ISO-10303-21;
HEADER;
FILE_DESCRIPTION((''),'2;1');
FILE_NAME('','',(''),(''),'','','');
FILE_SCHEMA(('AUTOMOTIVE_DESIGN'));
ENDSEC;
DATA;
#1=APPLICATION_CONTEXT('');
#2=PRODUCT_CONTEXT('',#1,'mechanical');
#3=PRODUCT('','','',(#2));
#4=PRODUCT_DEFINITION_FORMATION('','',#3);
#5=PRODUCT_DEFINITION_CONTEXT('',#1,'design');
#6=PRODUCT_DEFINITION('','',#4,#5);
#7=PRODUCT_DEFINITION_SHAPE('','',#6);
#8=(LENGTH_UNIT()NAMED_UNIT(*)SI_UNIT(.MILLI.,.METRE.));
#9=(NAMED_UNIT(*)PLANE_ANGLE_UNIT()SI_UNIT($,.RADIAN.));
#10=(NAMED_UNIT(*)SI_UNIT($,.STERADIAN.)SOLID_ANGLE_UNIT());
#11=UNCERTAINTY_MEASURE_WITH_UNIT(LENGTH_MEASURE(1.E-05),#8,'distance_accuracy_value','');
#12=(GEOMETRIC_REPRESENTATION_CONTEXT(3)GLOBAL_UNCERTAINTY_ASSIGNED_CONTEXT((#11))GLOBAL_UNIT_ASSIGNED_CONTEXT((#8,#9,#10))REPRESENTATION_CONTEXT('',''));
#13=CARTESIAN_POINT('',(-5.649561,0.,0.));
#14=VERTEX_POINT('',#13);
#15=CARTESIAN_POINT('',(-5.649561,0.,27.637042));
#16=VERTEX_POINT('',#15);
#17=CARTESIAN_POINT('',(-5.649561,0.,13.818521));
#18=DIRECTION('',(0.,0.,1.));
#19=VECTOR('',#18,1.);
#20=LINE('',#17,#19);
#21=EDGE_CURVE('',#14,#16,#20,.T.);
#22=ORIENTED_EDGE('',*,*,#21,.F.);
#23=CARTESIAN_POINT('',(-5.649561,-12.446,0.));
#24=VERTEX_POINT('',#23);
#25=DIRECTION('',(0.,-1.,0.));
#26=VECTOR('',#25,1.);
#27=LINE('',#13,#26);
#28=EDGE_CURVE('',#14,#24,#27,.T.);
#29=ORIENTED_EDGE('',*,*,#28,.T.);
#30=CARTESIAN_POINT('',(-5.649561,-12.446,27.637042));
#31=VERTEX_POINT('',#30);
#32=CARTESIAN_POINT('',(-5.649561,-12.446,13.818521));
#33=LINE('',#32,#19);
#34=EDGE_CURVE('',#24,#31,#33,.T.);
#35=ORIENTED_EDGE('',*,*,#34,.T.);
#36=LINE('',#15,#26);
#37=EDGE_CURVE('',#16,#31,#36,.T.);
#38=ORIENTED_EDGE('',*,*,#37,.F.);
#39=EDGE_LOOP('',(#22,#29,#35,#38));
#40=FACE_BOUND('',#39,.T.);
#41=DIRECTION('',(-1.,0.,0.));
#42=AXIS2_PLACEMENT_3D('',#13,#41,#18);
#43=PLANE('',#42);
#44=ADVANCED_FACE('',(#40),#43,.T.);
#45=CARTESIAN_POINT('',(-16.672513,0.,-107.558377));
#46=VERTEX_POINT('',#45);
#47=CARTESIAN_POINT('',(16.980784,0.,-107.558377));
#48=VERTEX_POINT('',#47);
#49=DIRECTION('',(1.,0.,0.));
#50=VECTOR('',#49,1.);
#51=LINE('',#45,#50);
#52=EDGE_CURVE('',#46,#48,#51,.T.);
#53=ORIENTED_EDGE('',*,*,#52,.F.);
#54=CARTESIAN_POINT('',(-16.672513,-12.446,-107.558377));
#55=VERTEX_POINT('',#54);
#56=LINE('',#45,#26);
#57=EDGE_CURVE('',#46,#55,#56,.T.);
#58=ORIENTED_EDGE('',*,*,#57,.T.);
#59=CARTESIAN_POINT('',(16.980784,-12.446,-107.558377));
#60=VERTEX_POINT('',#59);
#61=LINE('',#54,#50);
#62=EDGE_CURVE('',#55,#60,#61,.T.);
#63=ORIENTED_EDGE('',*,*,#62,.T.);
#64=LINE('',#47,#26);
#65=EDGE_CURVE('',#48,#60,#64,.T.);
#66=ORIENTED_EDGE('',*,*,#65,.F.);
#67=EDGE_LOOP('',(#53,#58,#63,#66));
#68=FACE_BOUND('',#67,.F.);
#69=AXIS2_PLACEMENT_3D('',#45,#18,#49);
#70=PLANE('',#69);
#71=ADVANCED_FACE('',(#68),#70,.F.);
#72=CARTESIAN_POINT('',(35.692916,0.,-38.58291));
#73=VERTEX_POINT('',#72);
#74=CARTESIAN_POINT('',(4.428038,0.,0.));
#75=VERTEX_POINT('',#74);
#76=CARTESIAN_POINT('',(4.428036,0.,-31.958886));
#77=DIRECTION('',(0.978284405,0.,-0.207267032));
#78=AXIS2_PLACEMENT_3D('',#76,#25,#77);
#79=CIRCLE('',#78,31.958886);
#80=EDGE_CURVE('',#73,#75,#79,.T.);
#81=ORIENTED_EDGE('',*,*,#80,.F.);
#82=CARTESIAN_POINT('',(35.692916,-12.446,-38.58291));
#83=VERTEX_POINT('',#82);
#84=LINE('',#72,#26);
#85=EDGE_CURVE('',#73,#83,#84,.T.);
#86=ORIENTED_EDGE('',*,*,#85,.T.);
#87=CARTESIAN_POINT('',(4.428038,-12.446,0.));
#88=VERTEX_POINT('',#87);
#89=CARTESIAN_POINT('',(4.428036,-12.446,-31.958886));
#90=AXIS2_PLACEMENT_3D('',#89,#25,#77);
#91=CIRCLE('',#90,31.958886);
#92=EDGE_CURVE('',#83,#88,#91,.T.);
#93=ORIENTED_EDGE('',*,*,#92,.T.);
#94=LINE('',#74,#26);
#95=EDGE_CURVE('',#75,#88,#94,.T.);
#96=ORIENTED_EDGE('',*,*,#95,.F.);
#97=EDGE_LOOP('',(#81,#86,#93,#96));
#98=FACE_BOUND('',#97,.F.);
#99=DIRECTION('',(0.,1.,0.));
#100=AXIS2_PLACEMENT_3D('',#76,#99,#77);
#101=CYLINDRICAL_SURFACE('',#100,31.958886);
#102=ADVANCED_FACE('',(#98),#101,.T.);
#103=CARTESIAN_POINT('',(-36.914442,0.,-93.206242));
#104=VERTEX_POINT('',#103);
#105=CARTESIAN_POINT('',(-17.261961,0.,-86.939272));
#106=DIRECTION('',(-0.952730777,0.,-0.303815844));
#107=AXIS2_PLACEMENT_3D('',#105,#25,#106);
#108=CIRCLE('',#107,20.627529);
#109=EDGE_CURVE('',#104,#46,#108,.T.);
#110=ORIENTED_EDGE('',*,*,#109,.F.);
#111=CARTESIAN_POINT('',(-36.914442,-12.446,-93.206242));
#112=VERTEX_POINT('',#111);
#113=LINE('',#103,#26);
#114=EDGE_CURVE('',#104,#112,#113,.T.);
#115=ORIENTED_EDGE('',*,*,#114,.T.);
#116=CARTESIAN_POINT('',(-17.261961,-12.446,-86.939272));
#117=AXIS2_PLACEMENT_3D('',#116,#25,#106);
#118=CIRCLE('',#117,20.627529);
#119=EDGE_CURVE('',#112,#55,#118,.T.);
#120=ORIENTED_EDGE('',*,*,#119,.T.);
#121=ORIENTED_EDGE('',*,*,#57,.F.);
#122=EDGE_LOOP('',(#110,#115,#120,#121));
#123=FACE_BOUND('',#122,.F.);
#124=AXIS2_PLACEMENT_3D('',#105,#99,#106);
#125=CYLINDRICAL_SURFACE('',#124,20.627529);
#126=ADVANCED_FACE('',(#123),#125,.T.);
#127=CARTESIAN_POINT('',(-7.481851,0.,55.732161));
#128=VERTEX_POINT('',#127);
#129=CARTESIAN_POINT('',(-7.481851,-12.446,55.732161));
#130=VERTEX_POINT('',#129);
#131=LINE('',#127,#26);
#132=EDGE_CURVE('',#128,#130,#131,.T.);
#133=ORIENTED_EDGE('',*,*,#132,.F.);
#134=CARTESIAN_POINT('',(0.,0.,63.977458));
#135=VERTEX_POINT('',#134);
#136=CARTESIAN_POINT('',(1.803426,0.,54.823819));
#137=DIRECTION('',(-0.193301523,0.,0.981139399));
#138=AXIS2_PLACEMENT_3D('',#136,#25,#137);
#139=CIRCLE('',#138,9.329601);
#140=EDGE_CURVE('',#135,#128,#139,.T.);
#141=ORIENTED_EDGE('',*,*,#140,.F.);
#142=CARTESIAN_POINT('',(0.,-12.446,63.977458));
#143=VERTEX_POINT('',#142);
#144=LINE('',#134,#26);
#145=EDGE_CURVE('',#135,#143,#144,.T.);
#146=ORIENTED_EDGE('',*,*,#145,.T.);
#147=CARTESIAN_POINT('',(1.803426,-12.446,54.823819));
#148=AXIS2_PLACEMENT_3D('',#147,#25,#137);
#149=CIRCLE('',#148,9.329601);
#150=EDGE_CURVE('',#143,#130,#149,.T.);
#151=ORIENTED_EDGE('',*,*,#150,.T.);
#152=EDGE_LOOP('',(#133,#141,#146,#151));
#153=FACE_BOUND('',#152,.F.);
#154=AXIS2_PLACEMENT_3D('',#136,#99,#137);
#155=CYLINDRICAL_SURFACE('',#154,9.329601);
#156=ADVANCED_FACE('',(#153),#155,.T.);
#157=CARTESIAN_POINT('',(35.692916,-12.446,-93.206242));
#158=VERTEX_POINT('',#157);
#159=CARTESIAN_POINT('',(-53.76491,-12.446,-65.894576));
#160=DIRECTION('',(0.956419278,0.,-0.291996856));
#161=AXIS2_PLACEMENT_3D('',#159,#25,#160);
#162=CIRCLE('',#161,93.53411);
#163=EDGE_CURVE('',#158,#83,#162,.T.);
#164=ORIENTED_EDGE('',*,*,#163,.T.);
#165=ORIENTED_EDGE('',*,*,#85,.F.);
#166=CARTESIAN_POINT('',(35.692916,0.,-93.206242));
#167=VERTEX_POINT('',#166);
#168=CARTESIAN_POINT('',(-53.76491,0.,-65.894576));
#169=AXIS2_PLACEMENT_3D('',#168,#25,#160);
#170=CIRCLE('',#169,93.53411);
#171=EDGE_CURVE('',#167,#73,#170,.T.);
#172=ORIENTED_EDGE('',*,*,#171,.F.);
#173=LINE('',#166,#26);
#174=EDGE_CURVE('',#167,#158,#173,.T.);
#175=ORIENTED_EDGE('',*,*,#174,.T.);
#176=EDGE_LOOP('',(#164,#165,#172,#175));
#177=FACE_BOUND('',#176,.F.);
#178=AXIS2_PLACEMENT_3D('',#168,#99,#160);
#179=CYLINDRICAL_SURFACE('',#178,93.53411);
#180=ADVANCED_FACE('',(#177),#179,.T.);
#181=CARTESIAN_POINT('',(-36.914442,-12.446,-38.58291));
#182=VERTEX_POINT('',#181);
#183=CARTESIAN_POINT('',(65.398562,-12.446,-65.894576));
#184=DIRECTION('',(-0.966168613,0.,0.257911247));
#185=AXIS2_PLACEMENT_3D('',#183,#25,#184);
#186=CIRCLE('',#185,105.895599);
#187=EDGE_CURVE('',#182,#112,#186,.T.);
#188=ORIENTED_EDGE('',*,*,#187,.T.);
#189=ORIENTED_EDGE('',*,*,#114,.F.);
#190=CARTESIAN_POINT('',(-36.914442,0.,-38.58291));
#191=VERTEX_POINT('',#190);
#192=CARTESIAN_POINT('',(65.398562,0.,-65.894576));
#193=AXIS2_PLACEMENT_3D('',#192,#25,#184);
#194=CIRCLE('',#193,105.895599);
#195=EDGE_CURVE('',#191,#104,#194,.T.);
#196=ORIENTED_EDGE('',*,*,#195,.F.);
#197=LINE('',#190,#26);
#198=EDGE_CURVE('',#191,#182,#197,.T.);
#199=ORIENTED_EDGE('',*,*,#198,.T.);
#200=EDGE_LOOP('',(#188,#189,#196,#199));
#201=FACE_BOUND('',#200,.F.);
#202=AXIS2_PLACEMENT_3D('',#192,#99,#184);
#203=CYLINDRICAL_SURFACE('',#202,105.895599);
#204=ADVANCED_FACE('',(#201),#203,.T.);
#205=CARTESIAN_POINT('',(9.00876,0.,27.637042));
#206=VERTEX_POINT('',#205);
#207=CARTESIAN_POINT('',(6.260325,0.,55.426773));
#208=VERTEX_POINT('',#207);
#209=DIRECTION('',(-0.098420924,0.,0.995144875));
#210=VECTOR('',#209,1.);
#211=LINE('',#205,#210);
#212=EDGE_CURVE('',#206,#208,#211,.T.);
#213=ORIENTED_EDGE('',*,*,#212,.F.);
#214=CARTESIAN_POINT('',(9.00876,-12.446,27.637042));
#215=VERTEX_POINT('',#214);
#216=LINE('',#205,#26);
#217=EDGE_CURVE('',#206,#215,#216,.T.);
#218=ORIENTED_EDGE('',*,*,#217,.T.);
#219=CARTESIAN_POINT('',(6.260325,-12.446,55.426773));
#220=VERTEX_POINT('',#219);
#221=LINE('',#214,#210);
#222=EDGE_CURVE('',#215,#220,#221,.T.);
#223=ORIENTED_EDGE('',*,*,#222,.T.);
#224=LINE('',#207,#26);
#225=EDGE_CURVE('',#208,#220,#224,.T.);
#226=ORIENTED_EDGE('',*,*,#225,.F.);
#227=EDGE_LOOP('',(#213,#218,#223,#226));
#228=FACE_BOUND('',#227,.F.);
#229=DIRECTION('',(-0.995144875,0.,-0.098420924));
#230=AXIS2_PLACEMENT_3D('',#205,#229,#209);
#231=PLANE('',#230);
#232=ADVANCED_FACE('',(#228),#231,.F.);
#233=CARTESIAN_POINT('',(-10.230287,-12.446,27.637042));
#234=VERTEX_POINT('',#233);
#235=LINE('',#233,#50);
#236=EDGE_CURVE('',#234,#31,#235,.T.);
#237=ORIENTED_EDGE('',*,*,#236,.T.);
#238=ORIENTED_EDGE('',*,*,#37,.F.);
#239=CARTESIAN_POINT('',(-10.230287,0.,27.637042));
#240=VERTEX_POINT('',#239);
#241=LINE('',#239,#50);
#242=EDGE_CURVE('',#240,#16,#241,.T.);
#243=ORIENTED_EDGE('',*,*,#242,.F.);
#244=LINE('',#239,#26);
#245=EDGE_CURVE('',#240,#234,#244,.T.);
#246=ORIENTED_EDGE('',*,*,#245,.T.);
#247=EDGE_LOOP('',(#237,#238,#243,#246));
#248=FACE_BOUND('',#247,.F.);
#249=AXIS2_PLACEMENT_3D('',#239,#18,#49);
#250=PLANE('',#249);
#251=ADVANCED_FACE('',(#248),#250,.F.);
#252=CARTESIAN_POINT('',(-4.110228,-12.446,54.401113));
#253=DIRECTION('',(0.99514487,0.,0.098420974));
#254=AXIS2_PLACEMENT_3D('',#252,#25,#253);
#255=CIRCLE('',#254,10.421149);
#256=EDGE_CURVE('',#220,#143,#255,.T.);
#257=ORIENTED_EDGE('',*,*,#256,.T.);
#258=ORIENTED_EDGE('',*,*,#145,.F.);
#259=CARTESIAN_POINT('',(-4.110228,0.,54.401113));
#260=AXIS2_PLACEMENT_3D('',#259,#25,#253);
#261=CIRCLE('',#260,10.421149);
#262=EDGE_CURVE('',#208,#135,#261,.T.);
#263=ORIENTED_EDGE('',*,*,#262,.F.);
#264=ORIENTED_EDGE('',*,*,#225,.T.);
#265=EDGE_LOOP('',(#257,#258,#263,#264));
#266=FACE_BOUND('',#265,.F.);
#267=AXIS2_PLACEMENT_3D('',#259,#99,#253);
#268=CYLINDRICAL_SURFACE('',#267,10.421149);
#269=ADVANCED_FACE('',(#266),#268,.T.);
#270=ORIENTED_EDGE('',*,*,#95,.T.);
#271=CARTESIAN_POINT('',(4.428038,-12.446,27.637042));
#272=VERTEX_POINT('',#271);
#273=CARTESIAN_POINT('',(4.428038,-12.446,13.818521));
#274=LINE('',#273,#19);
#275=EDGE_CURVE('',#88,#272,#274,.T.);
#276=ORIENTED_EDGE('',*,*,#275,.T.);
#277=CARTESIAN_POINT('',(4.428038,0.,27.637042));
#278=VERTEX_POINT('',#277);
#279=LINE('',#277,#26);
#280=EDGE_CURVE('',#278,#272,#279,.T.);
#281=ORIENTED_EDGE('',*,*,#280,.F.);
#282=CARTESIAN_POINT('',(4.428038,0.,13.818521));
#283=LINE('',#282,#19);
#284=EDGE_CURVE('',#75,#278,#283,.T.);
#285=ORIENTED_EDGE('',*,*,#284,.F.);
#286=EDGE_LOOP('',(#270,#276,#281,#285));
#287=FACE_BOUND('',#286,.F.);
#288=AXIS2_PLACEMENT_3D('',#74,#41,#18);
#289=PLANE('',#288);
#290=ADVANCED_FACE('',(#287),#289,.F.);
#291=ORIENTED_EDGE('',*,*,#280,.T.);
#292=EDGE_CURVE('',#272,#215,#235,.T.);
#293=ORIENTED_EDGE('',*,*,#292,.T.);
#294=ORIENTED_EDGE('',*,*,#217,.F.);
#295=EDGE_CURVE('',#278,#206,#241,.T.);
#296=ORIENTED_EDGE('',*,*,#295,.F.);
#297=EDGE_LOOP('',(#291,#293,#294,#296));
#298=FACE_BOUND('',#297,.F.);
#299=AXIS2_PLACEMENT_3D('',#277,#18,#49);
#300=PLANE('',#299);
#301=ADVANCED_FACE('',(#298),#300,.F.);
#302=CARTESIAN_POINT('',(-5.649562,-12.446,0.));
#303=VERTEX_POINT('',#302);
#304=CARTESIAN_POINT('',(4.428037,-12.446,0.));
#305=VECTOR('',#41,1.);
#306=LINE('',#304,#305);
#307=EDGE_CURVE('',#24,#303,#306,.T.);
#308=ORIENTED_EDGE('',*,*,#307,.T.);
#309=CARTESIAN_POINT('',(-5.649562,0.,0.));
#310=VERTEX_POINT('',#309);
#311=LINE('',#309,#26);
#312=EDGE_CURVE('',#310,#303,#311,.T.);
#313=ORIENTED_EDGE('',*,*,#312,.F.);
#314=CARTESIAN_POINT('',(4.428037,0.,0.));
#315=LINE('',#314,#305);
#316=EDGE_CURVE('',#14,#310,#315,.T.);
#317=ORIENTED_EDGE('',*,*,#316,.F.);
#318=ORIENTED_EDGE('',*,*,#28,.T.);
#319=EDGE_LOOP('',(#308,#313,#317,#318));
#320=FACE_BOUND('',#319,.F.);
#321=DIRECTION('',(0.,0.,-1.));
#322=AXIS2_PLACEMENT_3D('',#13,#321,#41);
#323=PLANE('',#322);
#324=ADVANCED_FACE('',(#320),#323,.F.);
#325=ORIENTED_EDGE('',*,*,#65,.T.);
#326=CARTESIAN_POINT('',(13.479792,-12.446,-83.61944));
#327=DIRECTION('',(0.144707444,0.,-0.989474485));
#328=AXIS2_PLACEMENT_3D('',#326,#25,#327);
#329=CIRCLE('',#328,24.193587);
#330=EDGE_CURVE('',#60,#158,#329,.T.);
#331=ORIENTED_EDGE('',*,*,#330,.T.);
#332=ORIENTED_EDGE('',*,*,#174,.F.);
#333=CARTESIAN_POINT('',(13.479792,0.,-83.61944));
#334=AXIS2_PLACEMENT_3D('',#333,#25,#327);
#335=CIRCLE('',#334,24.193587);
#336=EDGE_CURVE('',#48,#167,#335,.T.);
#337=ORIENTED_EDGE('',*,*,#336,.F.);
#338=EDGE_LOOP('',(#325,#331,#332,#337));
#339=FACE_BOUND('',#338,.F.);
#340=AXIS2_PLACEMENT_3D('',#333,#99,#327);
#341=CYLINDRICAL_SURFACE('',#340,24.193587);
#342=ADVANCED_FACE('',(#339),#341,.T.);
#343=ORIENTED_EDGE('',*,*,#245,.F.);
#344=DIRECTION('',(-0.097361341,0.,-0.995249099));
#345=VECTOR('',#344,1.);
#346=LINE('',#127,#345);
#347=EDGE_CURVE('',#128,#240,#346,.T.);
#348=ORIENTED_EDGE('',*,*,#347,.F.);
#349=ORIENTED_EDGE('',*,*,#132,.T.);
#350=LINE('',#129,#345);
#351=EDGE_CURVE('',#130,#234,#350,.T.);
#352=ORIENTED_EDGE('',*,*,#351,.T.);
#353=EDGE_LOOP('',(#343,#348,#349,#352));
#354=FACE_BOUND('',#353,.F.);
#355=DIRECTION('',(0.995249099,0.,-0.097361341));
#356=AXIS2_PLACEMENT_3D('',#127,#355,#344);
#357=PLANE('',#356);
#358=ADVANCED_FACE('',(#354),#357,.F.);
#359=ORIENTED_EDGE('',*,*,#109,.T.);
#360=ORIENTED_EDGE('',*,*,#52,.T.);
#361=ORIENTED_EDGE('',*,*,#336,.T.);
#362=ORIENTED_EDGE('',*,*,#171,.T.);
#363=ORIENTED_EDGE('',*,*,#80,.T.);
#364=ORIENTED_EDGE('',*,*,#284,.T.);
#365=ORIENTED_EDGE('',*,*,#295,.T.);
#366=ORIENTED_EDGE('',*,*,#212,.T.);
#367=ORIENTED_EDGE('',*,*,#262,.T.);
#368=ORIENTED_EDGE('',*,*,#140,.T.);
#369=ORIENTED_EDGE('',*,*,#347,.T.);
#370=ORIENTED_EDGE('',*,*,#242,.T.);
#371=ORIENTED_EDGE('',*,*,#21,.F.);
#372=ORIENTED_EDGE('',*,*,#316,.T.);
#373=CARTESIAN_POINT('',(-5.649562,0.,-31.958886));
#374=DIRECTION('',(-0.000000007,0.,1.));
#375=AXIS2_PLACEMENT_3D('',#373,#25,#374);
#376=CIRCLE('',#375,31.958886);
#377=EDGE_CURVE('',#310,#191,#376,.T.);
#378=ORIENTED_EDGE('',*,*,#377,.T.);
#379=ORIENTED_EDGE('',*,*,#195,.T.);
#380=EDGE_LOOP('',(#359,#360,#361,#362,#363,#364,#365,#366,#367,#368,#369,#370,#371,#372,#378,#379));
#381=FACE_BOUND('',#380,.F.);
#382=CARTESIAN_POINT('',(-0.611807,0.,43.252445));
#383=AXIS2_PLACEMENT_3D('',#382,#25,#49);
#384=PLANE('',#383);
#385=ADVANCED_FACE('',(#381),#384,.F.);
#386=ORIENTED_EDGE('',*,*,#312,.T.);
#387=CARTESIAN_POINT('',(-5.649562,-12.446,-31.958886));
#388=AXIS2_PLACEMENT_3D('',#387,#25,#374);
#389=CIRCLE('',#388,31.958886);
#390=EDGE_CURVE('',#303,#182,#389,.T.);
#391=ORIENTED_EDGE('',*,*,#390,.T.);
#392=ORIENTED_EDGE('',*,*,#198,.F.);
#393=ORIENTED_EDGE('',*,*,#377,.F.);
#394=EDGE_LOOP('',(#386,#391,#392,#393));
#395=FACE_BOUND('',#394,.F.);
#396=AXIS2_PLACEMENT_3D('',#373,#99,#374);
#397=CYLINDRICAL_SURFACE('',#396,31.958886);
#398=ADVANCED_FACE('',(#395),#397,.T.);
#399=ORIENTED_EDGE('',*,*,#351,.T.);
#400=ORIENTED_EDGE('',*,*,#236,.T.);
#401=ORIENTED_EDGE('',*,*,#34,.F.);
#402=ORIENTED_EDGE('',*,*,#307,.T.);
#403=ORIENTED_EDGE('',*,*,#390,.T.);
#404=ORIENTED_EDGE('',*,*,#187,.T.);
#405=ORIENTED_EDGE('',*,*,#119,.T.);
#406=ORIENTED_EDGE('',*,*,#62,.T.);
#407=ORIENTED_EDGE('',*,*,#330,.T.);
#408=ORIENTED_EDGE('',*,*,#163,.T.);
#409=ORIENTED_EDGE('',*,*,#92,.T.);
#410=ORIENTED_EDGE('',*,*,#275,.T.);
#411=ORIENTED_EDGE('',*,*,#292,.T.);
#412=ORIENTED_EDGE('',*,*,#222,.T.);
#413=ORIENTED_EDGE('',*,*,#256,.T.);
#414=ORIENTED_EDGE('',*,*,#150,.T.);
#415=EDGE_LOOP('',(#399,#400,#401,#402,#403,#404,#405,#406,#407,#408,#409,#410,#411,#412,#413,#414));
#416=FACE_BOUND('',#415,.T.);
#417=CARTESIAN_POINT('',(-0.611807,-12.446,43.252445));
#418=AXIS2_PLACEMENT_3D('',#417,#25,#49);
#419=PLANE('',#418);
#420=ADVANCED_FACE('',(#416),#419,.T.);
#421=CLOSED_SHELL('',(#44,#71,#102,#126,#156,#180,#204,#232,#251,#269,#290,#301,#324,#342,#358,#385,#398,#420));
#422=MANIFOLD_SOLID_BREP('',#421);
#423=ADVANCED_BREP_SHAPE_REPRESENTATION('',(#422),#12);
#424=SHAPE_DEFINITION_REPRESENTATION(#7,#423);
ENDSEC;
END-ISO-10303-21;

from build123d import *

# Parameters (mm, degrees)
F0_W     = 10.077599
F0_H     = 27.637042
F1_DEPTH = 12.446


with BuildPart() as f1:
    # F0 (on Front) → F1 (new body)
    with BuildSketch(Plane.XZ):
        with BuildLine():
            Line((-7.481851, 55.732161), (-10.230287, 27.637042))
            Line((-10.230287, 27.637042), (-5.649562, 27.637042))
            Line((-5.649562, 27.637042), (4.428037, 27.637042))
            Line((4.428037, 27.637042), (9.00876, 27.637042))
            Line((9.00876, 27.637042), (6.260325, 55.426773))
            ThreePointArc((6.260325, 55.426773), (4.298209, 60.557292), (0, 63.977458))
            ThreePointArc((0, 63.977458), (-5.105703, 61.09322), (-7.481851, 55.732161))
        make_face()
        with Locations((-0.610762, 13.818521)):
            Rectangle(F0_W, F0_H)
        with BuildLine():
            Line((4.428037, 0), (-5.649562, 0))
            ThreePointArc((-5.649562, 0), (-30.479653, -11.838325), (-36.914442, -38.58291))
            Line((-36.914442, -38.58291), (35.692916, -38.58291))
            ThreePointArc((35.692916, -38.58291), (29.258127, -11.838325), (4.428037, 0))
        make_face()
        with BuildLine():
            Line((35.692916, -38.58291), (-36.914442, -38.58291))
            ThreePointArc((-36.914442, -38.58291), (-40.497037, -65.894576), (-36.914442, -93.206242))
            ThreePointArc((-36.914442, -93.206242), (-29.192835, -103.766309), (-16.672513, -107.558377))
            Line((-16.672513, -107.558377), (16.980784, -107.558377))
            ThreePointArc((16.980784, -107.558377), (28.203918, -102.816569), (35.692916, -93.206242))
            ThreePointArc((35.692916, -93.206242), (39.7692, -65.894576), (35.692916, -38.58291))
        make_face()
    extrude(amount=F1_DEPTH)


solid = f1.part
